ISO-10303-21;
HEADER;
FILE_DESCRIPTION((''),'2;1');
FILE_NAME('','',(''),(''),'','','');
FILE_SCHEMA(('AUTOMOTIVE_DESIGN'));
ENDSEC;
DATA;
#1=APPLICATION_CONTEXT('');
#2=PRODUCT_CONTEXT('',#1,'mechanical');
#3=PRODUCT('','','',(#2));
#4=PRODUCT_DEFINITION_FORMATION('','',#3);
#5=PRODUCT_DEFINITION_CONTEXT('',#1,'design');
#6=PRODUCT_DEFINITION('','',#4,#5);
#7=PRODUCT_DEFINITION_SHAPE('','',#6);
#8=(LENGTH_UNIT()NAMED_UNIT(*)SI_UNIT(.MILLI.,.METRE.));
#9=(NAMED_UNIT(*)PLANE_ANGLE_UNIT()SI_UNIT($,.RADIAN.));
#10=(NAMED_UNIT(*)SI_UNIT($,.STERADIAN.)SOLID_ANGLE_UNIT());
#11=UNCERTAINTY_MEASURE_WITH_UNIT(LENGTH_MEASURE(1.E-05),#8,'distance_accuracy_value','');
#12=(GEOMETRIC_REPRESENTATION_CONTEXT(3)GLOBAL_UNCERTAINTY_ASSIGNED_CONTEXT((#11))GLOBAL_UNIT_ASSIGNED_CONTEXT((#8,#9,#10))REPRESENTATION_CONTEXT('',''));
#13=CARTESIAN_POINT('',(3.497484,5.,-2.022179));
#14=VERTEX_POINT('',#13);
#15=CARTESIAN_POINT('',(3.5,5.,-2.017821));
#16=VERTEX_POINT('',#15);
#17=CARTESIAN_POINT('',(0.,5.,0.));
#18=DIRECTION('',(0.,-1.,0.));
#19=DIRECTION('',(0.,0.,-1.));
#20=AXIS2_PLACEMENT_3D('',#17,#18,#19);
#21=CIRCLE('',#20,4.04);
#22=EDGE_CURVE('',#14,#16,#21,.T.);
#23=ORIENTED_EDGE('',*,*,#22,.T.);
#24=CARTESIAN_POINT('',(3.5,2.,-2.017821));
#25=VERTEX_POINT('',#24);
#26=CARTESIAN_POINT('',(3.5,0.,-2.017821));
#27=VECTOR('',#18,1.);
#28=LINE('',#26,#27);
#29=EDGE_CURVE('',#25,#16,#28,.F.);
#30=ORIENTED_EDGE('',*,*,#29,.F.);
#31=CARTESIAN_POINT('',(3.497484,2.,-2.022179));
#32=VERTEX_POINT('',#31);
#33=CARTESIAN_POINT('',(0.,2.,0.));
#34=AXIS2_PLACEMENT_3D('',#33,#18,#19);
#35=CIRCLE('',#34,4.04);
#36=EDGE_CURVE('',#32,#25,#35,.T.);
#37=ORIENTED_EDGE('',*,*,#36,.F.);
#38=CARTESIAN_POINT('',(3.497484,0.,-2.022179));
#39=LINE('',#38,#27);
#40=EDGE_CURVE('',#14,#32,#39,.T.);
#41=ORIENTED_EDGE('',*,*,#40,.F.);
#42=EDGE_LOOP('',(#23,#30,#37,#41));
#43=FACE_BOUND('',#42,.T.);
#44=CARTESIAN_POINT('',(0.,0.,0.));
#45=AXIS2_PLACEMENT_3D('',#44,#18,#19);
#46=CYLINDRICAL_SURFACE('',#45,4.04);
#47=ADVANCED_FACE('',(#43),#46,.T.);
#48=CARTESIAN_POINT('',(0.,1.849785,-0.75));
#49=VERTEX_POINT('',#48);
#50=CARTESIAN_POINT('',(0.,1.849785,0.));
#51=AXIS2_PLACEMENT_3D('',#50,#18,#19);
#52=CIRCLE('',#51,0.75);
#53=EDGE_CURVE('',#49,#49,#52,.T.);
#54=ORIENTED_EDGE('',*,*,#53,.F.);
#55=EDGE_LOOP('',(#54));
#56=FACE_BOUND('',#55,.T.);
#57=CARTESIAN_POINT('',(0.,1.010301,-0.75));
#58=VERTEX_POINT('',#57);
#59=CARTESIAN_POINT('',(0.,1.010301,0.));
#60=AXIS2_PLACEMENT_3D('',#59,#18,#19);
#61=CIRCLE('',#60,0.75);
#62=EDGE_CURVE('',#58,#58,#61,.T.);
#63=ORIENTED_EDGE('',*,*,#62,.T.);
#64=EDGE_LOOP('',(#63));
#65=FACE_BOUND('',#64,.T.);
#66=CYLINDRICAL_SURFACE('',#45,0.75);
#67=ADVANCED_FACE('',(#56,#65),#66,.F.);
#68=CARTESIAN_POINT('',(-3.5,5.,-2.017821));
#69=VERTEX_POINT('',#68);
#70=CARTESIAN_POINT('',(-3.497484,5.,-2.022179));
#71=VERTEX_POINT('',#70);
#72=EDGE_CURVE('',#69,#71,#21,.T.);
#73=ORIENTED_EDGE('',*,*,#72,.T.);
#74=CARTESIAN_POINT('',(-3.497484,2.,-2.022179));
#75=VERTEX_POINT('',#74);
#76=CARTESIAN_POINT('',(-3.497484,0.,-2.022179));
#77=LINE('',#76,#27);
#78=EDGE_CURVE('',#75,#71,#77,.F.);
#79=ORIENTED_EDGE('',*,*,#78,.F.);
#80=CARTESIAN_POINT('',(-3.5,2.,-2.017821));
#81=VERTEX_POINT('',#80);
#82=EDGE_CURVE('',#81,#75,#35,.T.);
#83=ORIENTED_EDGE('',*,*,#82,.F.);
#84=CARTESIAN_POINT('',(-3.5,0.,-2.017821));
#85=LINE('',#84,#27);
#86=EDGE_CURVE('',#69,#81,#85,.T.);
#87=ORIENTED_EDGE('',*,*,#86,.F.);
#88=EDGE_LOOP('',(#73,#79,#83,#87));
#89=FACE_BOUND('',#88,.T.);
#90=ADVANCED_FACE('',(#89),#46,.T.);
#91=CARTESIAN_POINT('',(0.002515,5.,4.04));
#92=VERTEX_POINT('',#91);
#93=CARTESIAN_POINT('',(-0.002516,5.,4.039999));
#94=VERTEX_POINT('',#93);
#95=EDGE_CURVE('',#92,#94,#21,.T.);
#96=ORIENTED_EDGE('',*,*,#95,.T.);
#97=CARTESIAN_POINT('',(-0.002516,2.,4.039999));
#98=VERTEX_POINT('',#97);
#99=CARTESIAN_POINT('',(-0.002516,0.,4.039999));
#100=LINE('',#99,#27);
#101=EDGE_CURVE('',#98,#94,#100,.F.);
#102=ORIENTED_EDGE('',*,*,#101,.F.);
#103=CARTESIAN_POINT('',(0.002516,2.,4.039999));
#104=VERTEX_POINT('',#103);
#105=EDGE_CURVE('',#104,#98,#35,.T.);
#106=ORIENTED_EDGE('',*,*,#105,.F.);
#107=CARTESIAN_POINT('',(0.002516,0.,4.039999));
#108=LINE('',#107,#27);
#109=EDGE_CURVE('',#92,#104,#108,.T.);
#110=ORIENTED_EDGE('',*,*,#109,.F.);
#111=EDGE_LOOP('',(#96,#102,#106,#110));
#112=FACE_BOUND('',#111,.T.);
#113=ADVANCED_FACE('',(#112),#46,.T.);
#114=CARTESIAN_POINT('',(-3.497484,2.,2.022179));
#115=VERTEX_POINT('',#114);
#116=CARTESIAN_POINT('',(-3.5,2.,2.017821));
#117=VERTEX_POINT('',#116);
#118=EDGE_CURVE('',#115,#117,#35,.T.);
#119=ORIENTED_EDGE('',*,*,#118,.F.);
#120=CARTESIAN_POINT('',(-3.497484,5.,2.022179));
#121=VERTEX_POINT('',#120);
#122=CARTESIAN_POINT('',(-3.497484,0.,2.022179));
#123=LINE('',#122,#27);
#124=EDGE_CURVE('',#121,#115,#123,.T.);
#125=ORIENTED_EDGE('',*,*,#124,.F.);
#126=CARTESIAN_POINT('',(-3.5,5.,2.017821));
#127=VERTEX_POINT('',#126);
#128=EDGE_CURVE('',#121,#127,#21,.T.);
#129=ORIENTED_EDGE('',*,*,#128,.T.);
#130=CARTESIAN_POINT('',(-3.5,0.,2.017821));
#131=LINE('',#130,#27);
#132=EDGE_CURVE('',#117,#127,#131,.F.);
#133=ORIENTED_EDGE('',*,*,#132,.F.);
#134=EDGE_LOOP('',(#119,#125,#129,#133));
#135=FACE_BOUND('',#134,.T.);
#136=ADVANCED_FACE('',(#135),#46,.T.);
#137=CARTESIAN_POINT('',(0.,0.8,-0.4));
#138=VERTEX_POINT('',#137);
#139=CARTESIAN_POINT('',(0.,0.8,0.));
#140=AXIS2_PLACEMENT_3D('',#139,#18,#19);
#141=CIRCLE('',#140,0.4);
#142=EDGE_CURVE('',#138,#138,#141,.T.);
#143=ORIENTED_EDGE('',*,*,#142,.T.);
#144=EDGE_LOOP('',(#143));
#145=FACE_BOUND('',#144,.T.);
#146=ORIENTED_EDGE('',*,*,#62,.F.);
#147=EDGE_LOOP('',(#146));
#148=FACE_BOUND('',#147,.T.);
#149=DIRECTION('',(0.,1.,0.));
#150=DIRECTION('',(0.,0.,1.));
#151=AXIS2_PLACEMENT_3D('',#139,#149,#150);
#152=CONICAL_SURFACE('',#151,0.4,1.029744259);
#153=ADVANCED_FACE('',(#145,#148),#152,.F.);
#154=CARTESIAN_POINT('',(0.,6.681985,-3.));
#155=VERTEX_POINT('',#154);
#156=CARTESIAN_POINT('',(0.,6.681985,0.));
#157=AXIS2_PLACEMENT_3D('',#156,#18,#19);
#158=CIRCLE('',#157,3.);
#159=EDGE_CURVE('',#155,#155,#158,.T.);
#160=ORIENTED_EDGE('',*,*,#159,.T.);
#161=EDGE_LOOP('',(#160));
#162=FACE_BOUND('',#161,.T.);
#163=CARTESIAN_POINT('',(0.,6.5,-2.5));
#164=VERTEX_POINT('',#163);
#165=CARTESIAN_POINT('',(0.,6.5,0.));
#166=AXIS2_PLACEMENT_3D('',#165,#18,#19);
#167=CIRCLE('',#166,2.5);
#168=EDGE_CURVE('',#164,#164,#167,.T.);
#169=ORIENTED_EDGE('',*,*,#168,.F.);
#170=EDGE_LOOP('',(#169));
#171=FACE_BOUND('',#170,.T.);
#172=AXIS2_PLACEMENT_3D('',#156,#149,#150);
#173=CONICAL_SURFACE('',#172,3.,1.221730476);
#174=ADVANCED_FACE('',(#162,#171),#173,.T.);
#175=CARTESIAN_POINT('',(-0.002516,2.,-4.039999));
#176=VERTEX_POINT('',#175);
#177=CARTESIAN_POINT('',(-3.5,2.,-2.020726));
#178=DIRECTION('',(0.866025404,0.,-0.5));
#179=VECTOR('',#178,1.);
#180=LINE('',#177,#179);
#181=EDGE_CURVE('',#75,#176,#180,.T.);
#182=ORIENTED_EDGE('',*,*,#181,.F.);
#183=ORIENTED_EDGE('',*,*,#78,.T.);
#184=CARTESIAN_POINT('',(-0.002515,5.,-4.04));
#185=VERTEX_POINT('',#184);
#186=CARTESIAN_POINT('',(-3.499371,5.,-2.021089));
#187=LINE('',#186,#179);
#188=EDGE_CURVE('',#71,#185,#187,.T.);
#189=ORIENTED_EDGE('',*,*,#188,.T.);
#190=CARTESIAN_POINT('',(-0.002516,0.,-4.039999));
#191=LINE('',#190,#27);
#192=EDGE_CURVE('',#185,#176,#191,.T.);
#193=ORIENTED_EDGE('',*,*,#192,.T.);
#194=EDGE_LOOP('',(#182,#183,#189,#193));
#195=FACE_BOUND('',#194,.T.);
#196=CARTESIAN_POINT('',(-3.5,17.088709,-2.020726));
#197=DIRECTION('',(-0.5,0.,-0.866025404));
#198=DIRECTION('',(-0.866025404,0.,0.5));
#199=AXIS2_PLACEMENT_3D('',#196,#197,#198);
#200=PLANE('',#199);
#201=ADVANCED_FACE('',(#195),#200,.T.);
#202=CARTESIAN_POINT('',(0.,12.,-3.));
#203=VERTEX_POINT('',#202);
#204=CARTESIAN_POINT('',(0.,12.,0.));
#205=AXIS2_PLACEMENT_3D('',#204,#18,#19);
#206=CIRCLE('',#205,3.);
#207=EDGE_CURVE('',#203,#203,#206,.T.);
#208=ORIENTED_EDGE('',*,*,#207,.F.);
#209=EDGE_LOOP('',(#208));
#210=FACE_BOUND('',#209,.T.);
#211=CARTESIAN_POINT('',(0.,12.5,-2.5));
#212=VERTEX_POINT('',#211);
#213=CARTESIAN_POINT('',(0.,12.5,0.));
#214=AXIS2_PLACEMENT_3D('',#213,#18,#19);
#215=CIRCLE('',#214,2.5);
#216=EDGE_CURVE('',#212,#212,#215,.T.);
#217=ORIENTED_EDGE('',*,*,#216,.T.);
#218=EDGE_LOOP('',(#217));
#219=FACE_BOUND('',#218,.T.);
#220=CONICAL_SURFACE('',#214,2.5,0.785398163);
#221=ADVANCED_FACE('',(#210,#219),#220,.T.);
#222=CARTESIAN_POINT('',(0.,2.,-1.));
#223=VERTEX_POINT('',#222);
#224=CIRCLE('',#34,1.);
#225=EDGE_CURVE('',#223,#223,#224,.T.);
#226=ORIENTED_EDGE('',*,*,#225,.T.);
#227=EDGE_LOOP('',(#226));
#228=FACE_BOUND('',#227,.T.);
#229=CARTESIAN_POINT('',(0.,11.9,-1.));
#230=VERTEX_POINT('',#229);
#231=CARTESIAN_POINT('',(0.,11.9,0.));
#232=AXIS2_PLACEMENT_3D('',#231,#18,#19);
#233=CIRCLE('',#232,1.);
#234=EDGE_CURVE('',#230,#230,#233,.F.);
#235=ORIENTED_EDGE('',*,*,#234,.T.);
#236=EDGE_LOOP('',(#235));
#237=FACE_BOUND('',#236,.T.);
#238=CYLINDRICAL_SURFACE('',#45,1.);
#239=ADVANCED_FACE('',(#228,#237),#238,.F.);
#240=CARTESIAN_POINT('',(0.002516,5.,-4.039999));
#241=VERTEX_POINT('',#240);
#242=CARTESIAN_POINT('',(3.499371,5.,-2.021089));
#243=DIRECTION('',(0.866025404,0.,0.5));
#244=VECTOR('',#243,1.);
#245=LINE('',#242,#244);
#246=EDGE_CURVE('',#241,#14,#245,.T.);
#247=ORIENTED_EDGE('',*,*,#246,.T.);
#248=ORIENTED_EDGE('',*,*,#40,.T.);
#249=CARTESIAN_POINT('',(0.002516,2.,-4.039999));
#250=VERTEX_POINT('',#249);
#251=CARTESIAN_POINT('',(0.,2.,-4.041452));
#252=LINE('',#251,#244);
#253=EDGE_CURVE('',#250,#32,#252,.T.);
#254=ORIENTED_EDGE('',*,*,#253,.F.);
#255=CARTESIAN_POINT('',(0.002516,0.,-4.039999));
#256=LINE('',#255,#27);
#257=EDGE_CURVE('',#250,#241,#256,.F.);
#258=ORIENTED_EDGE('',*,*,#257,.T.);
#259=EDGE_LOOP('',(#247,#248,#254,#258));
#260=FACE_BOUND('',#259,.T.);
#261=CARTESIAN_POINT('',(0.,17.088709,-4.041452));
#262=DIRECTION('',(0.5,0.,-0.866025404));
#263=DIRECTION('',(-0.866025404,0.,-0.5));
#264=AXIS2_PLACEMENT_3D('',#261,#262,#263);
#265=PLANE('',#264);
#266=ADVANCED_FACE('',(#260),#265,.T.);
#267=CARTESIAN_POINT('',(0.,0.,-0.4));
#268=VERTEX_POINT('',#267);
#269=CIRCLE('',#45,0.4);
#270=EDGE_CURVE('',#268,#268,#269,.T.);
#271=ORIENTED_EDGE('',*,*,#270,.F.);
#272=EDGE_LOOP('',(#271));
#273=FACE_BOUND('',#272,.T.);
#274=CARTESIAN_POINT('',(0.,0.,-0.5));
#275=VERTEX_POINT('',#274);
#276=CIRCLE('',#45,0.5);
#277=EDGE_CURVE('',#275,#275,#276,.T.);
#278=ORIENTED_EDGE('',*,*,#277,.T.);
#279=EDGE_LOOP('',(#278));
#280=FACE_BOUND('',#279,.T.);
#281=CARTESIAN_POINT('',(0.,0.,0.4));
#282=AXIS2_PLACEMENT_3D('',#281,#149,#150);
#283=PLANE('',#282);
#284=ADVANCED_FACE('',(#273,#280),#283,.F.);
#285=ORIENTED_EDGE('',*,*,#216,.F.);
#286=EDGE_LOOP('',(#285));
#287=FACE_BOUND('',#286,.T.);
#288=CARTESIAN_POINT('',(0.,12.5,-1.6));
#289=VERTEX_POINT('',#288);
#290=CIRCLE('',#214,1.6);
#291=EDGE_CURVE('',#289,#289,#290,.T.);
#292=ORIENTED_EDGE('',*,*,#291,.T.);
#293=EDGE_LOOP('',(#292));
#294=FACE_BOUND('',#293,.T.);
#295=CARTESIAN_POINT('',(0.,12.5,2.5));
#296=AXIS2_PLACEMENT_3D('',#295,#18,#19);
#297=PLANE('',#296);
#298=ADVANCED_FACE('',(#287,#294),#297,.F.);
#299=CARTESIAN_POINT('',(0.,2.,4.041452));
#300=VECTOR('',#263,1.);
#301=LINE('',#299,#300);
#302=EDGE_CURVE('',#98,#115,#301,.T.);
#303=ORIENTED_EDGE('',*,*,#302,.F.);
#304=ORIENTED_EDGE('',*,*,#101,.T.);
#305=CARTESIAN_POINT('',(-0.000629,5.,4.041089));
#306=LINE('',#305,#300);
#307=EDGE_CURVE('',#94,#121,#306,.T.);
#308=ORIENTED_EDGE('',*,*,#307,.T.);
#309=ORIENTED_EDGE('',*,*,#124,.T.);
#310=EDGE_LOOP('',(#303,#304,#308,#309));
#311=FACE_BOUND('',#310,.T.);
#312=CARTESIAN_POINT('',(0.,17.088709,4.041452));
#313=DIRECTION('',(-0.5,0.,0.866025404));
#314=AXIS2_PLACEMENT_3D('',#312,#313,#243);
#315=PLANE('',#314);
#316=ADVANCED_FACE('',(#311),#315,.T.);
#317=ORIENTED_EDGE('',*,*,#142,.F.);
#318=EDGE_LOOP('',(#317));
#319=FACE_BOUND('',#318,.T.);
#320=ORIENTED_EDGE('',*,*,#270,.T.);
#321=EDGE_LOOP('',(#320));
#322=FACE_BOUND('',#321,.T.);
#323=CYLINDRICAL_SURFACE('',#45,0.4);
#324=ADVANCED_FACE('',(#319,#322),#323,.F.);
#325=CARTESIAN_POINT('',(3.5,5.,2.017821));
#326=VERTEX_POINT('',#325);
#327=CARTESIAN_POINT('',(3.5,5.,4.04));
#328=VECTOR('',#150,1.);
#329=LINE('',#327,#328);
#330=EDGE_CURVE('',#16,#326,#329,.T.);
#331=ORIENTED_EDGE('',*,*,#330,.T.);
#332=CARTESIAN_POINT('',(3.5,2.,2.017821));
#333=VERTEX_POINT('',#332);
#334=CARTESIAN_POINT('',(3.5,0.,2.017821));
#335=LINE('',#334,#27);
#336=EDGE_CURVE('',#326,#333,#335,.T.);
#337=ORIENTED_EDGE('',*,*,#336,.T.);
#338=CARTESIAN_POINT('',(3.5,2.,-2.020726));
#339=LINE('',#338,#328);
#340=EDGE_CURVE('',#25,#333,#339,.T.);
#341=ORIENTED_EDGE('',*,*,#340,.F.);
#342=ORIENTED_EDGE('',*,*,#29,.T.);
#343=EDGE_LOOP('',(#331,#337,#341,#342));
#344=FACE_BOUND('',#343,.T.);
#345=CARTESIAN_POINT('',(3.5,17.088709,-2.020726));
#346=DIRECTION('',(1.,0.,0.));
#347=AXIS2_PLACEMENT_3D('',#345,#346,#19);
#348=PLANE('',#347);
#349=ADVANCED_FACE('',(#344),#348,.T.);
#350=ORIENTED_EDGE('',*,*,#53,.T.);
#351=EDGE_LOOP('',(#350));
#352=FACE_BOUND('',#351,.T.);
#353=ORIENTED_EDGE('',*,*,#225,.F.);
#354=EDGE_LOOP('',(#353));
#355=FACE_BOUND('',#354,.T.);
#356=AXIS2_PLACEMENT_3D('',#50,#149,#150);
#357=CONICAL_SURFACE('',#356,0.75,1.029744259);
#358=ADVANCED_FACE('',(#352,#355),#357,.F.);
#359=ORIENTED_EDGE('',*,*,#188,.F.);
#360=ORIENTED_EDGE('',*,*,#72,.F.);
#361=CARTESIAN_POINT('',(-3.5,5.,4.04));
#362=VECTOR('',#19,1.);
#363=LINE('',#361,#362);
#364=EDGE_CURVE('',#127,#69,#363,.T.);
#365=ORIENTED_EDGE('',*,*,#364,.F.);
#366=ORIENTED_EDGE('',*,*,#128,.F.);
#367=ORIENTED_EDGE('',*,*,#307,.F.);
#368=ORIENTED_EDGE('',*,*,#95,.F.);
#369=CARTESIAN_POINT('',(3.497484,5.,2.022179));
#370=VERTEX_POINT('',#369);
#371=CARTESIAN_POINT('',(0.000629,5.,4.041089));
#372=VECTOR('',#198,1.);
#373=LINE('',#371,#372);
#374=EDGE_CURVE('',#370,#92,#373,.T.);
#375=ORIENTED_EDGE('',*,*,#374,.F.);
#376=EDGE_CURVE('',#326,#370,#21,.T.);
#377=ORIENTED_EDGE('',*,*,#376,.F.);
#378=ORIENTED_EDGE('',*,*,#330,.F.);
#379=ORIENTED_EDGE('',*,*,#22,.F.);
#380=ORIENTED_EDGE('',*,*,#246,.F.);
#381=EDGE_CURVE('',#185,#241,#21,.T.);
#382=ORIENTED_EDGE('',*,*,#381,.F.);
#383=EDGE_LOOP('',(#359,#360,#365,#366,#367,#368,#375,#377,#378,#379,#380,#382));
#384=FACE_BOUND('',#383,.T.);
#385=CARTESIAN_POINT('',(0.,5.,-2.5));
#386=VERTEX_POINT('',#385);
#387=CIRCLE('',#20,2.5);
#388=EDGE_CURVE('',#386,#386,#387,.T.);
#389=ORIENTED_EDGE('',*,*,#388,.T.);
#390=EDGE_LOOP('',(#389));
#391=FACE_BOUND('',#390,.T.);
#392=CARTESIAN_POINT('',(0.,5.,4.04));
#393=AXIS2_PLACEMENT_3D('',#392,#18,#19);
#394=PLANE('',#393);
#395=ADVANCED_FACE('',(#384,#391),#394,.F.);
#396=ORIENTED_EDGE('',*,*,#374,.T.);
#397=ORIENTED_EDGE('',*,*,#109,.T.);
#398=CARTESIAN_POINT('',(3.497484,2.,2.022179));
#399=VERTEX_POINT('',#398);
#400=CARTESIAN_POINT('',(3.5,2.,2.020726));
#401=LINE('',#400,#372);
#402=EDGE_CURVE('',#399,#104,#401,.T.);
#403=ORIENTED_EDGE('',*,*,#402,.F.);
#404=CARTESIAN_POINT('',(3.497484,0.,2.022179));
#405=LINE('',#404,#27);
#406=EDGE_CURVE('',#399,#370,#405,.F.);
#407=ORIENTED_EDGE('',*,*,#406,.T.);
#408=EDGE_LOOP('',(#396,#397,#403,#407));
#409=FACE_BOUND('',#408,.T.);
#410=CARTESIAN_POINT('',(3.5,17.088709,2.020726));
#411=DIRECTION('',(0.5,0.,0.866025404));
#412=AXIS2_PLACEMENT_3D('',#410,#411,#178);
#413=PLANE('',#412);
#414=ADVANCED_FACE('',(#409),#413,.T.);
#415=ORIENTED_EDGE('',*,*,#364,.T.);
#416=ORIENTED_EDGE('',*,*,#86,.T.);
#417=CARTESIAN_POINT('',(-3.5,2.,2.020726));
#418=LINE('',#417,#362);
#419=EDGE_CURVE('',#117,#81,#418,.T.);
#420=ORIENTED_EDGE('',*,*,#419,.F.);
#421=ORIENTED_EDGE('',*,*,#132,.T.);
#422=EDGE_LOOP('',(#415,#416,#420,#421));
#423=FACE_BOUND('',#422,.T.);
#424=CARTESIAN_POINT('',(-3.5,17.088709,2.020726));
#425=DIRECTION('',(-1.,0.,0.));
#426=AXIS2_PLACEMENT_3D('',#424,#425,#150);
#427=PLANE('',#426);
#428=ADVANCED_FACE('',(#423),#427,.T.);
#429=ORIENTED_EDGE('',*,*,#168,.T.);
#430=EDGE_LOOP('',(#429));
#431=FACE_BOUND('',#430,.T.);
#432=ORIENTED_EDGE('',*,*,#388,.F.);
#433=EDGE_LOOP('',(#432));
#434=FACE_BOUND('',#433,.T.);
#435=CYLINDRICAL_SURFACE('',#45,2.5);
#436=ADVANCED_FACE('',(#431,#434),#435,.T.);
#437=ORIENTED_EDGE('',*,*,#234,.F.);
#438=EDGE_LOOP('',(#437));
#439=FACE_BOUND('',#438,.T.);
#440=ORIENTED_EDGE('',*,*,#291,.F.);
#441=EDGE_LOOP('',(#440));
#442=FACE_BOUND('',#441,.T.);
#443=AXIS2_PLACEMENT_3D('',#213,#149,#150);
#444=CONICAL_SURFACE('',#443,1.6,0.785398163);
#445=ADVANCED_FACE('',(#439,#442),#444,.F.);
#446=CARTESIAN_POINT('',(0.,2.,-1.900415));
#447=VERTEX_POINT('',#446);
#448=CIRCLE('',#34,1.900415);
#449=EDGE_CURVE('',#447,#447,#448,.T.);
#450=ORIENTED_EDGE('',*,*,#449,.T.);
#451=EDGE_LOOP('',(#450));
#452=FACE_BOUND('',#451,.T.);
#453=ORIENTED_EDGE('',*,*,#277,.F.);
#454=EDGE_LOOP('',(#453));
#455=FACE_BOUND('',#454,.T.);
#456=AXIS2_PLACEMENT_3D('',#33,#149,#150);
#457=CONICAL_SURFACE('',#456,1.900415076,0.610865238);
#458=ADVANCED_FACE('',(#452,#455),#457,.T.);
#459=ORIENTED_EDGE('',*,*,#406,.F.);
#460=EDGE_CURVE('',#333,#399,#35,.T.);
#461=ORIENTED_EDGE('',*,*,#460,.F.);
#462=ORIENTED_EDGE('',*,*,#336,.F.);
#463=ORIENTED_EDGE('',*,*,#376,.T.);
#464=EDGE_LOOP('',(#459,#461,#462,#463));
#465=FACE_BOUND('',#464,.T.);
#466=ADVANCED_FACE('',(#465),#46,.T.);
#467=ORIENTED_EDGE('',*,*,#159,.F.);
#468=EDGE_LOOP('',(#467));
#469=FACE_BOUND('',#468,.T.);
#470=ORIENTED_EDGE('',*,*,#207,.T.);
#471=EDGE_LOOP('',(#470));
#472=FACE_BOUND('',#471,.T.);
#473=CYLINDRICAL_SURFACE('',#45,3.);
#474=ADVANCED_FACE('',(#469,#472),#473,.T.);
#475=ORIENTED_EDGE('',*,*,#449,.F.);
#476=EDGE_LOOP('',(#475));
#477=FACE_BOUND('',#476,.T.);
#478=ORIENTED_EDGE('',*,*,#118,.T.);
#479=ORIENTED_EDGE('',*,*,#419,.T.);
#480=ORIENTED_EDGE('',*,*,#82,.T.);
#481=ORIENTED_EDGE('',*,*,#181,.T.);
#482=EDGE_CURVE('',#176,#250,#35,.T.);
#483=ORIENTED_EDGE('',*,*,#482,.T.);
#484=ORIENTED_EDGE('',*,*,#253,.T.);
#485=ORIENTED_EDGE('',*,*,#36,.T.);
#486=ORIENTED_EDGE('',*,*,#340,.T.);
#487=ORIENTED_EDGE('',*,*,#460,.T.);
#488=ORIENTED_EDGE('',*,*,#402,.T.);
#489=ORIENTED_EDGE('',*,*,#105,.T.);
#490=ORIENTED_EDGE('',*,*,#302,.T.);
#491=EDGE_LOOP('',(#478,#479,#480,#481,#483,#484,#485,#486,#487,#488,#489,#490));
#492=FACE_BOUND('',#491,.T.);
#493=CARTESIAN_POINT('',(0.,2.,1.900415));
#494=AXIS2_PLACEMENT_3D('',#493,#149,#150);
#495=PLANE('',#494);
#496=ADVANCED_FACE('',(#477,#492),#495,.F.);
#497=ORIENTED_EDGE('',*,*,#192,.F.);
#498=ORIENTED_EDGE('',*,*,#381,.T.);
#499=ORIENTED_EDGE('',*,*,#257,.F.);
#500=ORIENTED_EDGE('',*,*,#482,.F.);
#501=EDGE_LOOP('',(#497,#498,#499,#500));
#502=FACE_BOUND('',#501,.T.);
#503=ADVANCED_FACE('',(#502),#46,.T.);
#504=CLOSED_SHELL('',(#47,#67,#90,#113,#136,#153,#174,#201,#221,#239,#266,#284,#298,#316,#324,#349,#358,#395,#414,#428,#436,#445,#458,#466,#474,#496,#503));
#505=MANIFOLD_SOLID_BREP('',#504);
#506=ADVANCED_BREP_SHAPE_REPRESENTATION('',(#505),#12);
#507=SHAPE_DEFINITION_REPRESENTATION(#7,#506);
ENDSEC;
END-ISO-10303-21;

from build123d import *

# Parameters (mm, degrees)
SKETCH_2_OUTSIDE_W  = 13.468
SKETCH_2_OUTSIDE_H  = 13.468
CUT_EXTRUDE_1_DEPTH = 3
CHAMFER_1_SIZE      = 0.6


with BuildPart() as part:
    # Эскиз1 → Повернуть1 (revolve)
    with BuildSketch(Plane(origin=(0, 0, 0), x_dir=(0, 0, -1), z_dir=(1, 0, 0))):
        Polygon((-0.4, 0.8), (-0.4, 0), (-0.5, 0), (-1.900415076, 2), (-4.04, 2), (-4.04, 5), (-2.5, 5), (-2.5, 6.5), (-3, 6.681985117), (-3, 12), (-2.5, 12.5), (-1, 12.5), (-1, 2), (-0.75, 1.849784845), (-0.75, 1.010301217), align=None)
    revolve(axis=Axis((0, 0, 0), (0, 1, 0)))

    # Эскиз2 outside → Вырез-Вытянуть1 (cut)
    with BuildSketch(Plane.XZ.offset(-2)):
        Rectangle(SKETCH_2_OUTSIDE_W, SKETCH_2_OUTSIDE_H)
        Polygon((0, 4.041451884), (-3.5, 2.020725942), (-3.5, -2.020725942), (0, -4.041451884), (3.5, -2.020725942), (3.5, 2.020725942), align=None, mode=Mode.SUBTRACT)
    extrude(amount=-CUT_EXTRUDE_1_DEPTH, mode=Mode.SUBTRACT)

    # Фаска1
    chamfer_1_edges = [part.edges().sort_by_distance(p)[0] for p in [
        (0, 12.5, -1),
    ]]
    chamfer(chamfer_1_edges, length=CHAMFER_1_SIZE)


solid = part.part
